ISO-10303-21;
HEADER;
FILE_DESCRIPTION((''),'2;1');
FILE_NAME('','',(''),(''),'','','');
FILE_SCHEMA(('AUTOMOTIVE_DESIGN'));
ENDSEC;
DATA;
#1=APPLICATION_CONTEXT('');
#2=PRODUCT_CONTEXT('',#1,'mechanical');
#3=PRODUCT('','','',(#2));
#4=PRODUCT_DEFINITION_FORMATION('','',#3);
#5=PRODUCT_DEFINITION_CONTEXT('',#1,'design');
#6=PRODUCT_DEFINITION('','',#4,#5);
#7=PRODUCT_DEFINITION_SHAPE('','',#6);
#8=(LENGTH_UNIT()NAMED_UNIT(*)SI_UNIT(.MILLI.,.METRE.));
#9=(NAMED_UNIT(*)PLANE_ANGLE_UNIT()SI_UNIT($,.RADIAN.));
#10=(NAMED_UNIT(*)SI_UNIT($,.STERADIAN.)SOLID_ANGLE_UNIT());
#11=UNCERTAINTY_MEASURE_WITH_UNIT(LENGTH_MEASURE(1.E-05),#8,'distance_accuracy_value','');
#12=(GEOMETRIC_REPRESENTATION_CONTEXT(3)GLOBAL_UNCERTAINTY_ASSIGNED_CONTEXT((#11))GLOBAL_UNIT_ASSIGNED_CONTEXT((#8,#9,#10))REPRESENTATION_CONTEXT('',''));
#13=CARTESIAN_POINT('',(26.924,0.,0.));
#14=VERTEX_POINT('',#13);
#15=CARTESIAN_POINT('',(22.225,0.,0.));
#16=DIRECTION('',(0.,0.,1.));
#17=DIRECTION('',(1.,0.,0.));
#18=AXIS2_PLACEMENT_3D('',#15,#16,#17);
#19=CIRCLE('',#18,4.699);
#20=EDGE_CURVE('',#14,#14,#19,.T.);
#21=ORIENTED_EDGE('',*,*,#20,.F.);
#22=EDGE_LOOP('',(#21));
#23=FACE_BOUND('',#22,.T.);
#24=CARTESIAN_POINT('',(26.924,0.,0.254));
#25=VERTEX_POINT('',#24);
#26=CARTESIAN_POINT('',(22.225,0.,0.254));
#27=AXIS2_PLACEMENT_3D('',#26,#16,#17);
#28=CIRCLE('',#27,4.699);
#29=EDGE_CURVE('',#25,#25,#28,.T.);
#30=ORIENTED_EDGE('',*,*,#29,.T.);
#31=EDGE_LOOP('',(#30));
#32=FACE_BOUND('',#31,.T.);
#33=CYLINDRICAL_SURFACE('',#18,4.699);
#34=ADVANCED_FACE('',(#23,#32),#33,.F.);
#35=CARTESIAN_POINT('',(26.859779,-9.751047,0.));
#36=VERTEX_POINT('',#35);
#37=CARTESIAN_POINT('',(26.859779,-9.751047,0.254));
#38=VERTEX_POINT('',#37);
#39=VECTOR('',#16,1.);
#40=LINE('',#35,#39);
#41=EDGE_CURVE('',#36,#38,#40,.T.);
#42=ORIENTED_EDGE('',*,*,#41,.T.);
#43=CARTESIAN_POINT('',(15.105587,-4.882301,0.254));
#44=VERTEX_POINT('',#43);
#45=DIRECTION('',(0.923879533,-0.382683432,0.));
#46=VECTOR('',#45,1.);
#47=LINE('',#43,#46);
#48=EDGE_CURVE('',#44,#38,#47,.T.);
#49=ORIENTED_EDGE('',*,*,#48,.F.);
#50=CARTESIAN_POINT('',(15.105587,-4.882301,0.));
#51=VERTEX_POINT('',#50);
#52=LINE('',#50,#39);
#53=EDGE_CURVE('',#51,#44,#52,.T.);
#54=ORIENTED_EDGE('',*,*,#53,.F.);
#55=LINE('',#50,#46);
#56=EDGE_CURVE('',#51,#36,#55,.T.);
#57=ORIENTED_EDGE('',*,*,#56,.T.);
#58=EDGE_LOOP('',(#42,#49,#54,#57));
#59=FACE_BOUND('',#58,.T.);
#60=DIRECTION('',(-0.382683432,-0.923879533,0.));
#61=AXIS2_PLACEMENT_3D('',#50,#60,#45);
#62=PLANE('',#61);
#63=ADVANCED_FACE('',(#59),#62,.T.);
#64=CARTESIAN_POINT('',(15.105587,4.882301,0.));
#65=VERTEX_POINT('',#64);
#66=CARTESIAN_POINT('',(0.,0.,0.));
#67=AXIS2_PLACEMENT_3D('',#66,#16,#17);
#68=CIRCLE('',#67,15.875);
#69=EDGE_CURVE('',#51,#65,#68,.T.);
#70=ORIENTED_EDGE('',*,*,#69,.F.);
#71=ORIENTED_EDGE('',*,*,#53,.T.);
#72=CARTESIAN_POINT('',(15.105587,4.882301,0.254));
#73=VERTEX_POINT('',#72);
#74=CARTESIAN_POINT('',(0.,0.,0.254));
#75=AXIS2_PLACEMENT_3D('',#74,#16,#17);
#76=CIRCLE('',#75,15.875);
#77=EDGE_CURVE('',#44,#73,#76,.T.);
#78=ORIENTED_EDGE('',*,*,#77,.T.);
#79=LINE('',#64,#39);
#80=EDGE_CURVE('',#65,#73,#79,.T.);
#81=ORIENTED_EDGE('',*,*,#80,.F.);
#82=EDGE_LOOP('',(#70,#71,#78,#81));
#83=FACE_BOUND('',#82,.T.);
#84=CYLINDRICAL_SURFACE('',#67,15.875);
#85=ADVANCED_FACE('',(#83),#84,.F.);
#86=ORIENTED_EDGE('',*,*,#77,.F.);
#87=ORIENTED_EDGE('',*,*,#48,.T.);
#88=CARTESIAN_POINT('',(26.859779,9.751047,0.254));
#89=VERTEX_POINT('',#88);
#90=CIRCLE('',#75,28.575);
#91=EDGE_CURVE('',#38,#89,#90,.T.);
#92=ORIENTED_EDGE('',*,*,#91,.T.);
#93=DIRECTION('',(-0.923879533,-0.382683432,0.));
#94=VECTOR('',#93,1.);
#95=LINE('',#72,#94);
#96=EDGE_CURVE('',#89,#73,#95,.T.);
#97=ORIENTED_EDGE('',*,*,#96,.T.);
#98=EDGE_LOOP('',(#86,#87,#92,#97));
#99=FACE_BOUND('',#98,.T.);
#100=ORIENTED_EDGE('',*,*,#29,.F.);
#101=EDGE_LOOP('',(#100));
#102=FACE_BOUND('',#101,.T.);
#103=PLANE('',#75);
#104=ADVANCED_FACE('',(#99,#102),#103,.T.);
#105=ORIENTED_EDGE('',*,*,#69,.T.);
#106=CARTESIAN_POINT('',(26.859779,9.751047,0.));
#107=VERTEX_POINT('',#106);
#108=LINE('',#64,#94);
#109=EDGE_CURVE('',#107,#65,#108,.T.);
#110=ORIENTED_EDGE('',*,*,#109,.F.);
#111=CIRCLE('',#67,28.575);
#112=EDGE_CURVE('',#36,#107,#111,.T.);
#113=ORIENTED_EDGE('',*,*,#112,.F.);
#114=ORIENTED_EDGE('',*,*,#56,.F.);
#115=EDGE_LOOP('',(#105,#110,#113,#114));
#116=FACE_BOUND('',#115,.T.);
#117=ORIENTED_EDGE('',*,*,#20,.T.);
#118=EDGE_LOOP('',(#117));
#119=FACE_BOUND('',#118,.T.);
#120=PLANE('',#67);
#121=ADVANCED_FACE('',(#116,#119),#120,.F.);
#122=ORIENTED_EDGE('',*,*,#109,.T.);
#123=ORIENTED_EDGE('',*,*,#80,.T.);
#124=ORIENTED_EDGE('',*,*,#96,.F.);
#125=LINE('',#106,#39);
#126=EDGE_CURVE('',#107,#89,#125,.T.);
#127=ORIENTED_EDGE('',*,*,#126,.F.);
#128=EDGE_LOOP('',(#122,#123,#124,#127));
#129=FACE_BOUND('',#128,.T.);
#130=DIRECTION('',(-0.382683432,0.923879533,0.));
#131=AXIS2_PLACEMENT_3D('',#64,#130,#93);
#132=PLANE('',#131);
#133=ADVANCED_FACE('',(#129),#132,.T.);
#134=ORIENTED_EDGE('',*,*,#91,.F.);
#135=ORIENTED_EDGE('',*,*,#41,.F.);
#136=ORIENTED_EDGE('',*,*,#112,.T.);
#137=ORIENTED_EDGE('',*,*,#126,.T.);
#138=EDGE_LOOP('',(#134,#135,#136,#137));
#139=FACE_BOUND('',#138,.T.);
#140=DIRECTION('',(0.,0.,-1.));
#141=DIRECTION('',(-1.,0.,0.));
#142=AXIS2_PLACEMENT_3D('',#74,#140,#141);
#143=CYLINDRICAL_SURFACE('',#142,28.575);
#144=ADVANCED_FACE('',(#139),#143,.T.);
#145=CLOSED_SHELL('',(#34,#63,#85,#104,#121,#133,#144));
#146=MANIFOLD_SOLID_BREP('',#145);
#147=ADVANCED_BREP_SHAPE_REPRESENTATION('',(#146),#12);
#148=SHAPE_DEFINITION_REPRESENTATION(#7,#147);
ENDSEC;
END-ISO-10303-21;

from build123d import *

# Parameters (mm, degrees)
SKETCH4_R           = 28.575
BOSS_EXTRUDE2_DEPTH = 0.254
SKETCH5_R           = 15.875
CUT_EXTRUDE5_DEPTH  = 1.254
SKETCH6_R           = 4.699
CUT_EXTRUDE6_DEPTH  = 1.254
SKETCH8_OUTSIDE_W   = 75.314
SKETCH8_OUTSIDE_H   = 75.314
CUT_EXTRUDE11_DEPTH = 1.254


with BuildPart() as part:
    # Sketch4 → Boss-Extrude2 (new body)
    with BuildSketch(Plane.XY):
        Circle(SKETCH4_R)
    extrude(amount=BOSS_EXTRUDE2_DEPTH)

    # Sketch5 → Cut-Extrude5 (cut, through all)
    with BuildSketch(Plane.XY.offset(0.254)):
        Circle(SKETCH5_R)
    extrude(amount=-CUT_EXTRUDE5_DEPTH, mode=Mode.SUBTRACT)

    # Sketch6 → Cut-Extrude6 (cut, through all)
    with BuildSketch(Plane.XY.offset(0.254)):
        with Locations((22.225, 0)):
            Circle(SKETCH6_R)
    extrude(amount=-CUT_EXTRUDE6_DEPTH, mode=Mode.SUBTRACT)

    # Sketch8 outside → Cut-Extrude11 (cut, through all)
    with BuildSketch(Plane.XY.offset(0.254)):
        Rectangle(SKETCH8_OUTSIDE_W, SKETCH8_OUTSIDE_H)
        with BuildLine():
            Line((15.105587123, 4.88230096), (26.859778778, 9.751046558))
            ThreePointArc((26.859778778, 9.751046558), (28.575, 0), (26.859778778, -9.751046558))
            Line((26.859778778, -9.751046558), (15.105587123, -4.88230096))
            ThreePointArc((15.105587123, -4.88230096), (15.875, 0), (15.105587123, 4.88230096))
        make_face(mode=Mode.SUBTRACT)
    extrude(amount=-CUT_EXTRUDE11_DEPTH, mode=Mode.SUBTRACT)


solid = part.part
